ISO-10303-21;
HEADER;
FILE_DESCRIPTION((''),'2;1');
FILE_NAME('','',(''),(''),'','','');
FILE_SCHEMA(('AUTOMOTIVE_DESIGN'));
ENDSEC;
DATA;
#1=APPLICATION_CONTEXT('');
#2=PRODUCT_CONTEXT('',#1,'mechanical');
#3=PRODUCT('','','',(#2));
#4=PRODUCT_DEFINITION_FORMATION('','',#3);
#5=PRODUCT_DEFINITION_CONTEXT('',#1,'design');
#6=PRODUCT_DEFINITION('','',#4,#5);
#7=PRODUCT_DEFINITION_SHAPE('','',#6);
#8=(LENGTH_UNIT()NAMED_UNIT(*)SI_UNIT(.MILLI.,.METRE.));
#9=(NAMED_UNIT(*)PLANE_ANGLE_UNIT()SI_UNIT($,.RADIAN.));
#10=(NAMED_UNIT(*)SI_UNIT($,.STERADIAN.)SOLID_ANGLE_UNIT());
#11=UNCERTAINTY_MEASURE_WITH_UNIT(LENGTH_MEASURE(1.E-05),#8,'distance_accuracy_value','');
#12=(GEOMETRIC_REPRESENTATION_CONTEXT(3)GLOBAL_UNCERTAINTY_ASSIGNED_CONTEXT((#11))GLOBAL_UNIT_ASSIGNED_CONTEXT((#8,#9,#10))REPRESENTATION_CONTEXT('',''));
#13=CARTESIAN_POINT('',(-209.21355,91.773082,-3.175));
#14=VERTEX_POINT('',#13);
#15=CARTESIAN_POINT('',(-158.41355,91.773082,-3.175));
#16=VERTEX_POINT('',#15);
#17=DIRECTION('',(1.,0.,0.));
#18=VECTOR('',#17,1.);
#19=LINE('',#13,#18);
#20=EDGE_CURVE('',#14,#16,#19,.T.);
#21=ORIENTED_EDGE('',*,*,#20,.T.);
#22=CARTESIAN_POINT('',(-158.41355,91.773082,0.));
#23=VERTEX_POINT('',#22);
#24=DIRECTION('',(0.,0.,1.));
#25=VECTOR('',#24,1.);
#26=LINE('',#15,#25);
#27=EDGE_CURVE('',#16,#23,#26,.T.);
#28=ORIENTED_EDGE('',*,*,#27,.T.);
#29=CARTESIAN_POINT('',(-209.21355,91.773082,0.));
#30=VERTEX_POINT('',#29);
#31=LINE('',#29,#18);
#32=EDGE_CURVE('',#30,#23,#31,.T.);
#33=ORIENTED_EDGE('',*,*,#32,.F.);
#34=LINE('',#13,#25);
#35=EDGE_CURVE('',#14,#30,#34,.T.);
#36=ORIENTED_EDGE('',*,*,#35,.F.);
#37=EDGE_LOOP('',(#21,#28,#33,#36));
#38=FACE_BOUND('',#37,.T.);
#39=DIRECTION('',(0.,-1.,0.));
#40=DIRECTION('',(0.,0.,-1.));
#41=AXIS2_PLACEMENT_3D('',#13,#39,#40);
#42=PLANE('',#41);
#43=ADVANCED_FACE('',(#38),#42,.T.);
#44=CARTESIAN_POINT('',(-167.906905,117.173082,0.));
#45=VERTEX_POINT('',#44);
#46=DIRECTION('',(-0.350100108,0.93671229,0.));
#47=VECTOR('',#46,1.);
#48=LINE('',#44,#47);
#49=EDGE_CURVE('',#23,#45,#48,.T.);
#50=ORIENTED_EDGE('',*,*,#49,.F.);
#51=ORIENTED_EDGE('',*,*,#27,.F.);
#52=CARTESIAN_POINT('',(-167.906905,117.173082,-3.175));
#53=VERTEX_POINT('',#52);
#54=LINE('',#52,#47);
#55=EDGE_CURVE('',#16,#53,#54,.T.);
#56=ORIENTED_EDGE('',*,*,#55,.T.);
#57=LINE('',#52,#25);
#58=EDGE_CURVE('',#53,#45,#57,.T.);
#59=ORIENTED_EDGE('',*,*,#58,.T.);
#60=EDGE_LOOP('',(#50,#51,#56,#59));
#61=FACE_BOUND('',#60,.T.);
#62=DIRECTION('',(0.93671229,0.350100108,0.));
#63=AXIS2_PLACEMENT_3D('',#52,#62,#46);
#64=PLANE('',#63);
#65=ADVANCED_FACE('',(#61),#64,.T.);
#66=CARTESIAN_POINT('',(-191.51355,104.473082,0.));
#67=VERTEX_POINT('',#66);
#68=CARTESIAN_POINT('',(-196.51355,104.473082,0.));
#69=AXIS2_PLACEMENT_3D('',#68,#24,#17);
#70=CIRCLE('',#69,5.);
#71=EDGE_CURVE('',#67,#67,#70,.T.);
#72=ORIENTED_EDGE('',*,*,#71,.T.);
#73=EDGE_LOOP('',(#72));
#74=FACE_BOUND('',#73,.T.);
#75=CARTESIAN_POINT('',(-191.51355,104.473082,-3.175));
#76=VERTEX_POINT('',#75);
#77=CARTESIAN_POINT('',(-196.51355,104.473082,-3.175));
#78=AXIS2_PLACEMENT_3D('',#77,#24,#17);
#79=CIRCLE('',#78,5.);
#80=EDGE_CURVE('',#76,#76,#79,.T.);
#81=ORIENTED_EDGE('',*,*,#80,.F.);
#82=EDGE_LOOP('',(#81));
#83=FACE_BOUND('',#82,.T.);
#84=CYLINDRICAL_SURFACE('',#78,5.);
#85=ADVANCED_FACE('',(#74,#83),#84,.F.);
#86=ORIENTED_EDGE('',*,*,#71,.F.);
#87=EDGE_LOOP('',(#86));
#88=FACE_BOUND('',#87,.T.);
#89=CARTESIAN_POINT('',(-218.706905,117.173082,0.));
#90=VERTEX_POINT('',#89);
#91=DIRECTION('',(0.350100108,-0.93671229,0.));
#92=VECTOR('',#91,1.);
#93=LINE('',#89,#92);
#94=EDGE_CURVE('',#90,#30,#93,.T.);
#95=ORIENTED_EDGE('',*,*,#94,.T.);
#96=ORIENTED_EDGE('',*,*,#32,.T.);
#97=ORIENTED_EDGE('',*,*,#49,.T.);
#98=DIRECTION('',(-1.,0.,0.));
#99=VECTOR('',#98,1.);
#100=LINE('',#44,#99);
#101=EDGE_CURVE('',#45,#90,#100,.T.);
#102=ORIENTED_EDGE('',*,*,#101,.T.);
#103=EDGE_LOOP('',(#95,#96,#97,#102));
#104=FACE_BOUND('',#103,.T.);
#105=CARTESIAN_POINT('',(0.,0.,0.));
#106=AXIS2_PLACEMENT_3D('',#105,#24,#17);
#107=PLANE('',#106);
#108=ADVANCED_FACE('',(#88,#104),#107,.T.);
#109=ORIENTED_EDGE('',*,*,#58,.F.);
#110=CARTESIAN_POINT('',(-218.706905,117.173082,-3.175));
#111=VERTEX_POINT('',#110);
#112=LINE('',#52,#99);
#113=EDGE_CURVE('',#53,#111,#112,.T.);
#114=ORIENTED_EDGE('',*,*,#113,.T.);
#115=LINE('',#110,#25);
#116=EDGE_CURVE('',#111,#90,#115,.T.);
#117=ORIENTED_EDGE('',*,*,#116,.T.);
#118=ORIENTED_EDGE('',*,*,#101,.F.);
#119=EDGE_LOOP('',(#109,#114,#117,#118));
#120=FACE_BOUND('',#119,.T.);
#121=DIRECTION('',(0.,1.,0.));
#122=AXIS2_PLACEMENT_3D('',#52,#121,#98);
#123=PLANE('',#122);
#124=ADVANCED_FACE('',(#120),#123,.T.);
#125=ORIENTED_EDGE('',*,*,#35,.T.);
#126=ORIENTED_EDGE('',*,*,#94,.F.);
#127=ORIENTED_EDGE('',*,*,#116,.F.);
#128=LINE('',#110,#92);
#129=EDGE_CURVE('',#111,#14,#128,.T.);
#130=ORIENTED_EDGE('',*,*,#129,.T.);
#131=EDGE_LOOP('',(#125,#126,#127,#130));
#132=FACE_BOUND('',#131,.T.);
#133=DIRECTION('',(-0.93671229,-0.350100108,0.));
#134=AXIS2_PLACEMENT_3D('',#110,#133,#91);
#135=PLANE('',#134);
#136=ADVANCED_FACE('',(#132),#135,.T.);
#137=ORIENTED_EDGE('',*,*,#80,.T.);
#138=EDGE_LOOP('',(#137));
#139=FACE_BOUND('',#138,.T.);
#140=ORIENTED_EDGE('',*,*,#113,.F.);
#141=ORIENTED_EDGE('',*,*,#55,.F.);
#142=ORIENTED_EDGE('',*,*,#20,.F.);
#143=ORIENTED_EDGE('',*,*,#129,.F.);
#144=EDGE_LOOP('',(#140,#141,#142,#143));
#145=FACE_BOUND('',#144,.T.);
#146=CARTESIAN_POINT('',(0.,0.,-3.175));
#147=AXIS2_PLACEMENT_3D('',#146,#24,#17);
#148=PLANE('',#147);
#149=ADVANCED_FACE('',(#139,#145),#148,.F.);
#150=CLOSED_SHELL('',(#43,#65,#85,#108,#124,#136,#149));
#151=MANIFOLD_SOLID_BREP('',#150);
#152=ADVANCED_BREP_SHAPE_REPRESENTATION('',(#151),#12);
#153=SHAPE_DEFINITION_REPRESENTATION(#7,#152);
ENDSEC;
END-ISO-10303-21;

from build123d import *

# Parameters (mm, degrees)
SKETCH1_R           = 5
BOSS_EXTRUDE1_DEPTH = 3.175


with BuildPart() as part:
    # Sketch1 → Boss-Extrude1 (new body)
    with BuildSketch(Plane.XY):
        Polygon((-218.706905039, 117.173081747), (-209.213549558, 91.773081747), (-158.413549558, 91.773081747), (-167.906905039, 117.173081747), align=None)
        with Locations((-196.513549558, 104.473081747)):
            Circle(SKETCH1_R, mode=Mode.SUBTRACT)
    extrude(amount=-BOSS_EXTRUDE1_DEPTH)


solid = part.part
